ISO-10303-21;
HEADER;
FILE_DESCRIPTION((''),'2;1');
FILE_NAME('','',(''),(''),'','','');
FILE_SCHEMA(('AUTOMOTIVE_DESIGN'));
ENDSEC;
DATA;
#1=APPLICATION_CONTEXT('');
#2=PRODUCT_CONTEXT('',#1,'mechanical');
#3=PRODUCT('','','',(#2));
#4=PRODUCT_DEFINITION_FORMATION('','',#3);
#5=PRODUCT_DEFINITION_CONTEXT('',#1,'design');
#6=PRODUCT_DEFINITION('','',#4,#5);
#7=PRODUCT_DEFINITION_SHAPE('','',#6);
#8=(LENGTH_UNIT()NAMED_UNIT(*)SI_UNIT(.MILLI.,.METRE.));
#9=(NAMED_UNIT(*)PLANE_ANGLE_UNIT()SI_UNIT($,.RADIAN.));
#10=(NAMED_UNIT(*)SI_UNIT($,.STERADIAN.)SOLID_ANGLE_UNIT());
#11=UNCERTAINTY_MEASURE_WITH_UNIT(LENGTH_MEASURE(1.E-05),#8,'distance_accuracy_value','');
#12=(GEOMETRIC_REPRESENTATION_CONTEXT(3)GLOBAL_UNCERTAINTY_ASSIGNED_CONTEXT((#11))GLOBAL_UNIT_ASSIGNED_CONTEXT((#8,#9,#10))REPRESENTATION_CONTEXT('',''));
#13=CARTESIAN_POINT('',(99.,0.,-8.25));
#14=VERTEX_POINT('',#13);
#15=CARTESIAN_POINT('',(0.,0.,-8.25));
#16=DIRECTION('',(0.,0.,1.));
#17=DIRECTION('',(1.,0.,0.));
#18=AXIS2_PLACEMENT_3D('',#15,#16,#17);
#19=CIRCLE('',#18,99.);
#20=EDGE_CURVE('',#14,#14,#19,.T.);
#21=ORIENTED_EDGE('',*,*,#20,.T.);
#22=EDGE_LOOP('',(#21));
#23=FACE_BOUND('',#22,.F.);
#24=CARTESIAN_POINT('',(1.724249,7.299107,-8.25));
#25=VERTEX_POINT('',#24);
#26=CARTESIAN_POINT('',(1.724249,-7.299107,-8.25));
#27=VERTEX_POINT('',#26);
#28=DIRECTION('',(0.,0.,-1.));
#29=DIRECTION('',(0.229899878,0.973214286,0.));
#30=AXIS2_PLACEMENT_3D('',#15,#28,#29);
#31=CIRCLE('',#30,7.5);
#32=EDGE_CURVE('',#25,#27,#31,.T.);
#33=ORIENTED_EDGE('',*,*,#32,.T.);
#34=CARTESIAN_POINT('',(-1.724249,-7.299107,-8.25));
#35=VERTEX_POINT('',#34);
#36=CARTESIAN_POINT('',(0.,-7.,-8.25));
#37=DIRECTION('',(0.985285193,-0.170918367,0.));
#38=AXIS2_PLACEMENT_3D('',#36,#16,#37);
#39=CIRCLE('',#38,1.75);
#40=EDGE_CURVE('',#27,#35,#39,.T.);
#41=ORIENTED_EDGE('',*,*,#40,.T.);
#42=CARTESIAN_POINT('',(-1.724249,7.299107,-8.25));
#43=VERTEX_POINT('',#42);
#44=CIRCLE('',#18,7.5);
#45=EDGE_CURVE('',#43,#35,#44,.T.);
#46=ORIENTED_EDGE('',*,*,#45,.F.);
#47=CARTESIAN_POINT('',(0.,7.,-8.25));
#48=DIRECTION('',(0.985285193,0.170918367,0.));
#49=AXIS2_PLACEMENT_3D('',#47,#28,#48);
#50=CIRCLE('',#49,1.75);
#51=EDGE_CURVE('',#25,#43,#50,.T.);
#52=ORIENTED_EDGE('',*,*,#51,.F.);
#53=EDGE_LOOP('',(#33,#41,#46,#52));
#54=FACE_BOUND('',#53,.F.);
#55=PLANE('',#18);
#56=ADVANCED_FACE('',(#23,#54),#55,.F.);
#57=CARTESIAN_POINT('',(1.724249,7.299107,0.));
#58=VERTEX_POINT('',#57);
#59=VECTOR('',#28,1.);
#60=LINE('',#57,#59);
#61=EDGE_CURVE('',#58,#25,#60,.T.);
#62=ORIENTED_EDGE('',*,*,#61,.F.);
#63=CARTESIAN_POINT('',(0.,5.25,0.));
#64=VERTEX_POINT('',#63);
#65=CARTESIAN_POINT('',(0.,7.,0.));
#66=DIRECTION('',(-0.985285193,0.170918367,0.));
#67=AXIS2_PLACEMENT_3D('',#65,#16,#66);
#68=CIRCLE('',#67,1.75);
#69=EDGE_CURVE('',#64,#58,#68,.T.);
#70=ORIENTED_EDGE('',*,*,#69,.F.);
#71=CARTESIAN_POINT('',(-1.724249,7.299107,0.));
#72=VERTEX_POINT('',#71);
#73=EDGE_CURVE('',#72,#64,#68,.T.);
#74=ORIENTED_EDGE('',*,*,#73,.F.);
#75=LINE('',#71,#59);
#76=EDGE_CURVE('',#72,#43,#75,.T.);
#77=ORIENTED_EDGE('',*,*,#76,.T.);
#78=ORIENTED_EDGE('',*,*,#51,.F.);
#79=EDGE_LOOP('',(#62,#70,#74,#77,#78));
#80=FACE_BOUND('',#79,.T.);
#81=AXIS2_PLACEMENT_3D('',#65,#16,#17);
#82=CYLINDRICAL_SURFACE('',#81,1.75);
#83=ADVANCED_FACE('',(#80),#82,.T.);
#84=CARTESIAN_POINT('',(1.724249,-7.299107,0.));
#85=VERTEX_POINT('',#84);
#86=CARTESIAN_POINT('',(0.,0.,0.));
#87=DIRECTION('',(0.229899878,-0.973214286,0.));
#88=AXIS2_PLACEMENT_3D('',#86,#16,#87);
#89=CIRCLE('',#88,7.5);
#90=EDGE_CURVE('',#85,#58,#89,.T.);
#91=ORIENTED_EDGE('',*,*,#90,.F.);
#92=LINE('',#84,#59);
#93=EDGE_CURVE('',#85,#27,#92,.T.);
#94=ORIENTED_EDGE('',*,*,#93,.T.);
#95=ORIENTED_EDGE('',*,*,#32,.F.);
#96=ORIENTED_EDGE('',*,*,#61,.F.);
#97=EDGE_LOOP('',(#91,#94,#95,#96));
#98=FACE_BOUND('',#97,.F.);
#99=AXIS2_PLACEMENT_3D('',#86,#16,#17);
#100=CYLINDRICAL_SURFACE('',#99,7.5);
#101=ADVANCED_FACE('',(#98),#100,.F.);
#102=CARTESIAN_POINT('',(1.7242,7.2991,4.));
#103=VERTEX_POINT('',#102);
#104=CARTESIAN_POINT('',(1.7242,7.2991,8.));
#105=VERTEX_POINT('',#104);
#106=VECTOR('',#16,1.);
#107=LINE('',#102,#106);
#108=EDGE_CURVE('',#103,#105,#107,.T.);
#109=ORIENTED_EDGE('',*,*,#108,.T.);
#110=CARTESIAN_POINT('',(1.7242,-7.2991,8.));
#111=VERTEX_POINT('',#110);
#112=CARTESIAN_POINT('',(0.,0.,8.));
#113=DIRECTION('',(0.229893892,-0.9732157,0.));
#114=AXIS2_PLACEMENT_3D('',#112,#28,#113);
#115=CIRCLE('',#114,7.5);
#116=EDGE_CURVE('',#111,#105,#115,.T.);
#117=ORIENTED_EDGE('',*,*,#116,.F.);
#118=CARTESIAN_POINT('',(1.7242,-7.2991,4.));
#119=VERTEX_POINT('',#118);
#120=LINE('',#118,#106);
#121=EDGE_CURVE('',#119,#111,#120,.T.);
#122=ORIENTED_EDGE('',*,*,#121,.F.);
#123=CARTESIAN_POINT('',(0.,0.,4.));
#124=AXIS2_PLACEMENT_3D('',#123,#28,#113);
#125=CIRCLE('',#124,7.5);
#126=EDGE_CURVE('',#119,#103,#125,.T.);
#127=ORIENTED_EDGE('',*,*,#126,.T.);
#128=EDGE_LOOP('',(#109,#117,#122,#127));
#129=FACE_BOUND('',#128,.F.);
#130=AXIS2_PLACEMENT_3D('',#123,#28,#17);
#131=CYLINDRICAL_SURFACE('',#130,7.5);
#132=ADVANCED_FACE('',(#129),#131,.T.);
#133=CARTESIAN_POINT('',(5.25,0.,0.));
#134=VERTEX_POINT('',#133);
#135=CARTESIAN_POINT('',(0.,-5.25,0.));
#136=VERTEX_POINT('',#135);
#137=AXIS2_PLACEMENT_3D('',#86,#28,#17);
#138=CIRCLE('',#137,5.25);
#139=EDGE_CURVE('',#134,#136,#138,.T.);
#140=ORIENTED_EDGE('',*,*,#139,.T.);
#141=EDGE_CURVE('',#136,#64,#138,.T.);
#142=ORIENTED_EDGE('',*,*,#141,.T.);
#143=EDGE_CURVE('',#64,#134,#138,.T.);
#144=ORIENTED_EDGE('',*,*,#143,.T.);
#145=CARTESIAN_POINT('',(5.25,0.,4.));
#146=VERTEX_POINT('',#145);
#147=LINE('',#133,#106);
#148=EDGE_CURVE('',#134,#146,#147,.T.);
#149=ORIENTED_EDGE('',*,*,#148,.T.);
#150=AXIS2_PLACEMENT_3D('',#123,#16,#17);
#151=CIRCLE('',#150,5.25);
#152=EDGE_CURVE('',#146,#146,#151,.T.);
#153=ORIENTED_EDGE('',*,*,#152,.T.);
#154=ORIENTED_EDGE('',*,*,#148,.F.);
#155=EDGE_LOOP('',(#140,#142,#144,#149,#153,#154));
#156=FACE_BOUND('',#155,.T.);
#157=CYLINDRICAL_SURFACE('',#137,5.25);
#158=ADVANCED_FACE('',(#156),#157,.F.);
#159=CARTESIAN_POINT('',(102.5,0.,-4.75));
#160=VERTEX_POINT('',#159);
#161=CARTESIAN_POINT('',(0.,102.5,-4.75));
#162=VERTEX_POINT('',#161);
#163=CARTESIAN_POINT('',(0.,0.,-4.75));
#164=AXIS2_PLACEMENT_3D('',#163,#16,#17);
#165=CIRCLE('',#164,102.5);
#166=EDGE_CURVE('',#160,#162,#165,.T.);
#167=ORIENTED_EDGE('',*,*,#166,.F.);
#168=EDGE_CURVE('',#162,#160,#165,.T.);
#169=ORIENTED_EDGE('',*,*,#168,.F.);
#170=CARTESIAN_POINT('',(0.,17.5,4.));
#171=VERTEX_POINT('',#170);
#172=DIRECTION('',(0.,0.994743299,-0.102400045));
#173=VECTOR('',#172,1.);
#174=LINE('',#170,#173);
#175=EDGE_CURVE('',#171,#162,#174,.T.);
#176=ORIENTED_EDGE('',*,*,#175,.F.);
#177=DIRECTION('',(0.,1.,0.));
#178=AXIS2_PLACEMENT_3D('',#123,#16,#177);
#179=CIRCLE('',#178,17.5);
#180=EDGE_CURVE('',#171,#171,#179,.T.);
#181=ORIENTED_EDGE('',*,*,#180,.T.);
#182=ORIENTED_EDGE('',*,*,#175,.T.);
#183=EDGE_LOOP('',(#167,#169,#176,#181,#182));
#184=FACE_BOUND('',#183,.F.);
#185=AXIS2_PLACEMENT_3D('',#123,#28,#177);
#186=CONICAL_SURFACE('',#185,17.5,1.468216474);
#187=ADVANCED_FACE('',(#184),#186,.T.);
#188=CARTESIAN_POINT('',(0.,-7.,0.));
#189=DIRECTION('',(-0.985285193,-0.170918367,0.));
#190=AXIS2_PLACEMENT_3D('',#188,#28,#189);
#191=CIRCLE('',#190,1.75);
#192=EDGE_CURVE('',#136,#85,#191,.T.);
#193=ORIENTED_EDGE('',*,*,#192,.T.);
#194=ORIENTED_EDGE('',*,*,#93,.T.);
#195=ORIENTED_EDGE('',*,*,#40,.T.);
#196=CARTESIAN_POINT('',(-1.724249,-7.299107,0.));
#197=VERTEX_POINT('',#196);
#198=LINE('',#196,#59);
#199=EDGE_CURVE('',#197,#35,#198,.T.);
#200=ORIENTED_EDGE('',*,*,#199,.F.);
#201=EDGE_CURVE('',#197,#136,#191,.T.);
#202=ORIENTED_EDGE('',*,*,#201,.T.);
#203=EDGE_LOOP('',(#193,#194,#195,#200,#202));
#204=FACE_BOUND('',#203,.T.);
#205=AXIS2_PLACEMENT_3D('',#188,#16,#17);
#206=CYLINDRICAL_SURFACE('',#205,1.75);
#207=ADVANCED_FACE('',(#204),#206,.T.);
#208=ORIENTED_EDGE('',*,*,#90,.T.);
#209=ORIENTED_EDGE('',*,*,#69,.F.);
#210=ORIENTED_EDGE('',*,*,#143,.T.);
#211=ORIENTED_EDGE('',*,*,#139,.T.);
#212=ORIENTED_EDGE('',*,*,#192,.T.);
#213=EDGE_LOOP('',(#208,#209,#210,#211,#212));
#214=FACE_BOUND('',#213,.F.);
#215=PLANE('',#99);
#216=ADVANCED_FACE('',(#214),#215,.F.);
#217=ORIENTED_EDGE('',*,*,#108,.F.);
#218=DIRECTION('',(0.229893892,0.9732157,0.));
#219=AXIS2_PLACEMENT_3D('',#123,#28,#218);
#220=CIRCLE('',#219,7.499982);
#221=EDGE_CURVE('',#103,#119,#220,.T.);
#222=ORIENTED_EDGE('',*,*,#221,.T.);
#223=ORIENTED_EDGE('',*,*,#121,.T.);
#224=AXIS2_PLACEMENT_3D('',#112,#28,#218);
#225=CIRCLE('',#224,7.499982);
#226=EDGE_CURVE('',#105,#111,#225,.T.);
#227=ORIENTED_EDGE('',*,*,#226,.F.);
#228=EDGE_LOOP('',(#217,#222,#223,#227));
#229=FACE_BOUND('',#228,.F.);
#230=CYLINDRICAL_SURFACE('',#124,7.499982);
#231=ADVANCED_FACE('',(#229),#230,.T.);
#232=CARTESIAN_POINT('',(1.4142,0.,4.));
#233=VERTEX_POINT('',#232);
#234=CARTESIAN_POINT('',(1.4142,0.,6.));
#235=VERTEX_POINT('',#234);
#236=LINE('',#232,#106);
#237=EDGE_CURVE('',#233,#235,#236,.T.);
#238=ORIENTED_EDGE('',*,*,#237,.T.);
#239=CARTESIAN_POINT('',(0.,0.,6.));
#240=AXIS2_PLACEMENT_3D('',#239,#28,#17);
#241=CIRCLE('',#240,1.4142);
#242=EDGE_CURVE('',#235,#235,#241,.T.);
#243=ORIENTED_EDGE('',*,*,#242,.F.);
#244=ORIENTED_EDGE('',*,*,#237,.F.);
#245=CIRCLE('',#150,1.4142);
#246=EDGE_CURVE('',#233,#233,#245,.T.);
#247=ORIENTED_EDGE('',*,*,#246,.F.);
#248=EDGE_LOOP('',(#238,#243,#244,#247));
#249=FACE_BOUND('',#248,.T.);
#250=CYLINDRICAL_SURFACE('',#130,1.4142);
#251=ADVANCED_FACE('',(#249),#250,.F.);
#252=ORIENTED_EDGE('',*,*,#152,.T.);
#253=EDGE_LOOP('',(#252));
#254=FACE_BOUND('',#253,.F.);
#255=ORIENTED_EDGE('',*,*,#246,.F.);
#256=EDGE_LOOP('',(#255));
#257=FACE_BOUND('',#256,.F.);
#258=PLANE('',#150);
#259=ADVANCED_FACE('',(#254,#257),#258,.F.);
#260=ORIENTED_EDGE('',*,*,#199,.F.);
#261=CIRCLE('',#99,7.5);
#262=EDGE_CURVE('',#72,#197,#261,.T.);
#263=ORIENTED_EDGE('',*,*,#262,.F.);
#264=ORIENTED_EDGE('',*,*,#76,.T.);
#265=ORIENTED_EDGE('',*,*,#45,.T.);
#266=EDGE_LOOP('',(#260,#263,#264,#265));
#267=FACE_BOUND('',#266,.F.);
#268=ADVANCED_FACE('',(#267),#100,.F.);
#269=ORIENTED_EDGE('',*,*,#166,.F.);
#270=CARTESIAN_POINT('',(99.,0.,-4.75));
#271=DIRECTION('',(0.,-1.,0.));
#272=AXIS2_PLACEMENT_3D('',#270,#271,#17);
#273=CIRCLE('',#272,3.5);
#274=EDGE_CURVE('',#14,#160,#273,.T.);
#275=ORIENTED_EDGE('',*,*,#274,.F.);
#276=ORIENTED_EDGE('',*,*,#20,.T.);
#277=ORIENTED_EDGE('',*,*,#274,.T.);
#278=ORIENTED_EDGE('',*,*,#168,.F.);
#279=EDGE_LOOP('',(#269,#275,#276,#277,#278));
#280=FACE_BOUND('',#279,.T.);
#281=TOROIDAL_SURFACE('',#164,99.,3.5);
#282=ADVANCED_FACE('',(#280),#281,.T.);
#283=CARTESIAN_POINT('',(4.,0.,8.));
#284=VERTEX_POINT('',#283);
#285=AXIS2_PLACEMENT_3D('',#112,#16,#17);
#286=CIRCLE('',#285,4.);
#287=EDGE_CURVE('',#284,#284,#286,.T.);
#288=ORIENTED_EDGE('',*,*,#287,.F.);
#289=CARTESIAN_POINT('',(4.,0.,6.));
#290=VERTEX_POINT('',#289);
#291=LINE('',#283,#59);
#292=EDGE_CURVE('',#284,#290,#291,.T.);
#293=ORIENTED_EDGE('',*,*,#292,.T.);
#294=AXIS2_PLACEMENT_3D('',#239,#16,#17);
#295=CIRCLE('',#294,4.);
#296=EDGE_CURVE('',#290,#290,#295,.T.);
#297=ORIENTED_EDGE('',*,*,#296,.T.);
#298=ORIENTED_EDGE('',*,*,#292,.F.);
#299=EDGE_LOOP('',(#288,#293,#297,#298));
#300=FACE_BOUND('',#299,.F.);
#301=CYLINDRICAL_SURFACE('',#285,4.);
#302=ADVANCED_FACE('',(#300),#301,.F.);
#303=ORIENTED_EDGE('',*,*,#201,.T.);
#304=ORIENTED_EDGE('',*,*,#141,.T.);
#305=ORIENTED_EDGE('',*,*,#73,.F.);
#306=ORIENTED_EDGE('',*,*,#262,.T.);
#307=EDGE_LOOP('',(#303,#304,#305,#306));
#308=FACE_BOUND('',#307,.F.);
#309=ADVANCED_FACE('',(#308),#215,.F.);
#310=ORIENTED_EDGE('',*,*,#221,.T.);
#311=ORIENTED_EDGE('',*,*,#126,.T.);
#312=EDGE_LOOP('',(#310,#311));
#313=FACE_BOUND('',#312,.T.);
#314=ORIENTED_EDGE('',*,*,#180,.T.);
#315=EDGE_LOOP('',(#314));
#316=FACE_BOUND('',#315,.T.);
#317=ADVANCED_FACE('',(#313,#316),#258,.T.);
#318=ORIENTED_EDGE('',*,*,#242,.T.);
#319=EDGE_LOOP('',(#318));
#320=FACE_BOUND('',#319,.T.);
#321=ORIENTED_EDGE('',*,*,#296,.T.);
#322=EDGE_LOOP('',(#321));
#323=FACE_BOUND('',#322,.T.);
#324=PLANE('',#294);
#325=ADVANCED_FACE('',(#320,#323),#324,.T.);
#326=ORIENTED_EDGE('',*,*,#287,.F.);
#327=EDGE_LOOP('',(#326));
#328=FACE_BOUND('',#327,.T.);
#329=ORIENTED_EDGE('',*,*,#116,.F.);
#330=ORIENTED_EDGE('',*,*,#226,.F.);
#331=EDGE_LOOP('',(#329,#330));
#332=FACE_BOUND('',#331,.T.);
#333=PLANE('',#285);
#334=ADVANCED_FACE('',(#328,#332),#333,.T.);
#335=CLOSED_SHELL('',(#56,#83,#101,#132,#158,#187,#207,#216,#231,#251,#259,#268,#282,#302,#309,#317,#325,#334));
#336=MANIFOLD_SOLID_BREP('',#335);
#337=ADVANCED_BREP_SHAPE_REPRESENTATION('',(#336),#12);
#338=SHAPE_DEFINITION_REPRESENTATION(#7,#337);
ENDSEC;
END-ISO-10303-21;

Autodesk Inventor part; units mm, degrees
ref_plane "YZ Plane" through (0, 0, 0) normal (1, 0, 0) x (0, 1, 0)
ref_plane "XZ Plane" through (0, 0, 0) normal (0, 1, 0) x (-1, 0, 0)
ref_plane "XY Plane" through (0, 0, 0) normal (0, 0, 1) x (1, 0, 0)
sketch "Sketch1" plane through (0, 0, 0) normal (0, 0, 1) x (1, 0, 0)
  arc A0 (-1.9795, 6.7143) -> (1.9795, 6.7143) centre (0, 7) ccw
  arc A1 (-1.9795, 6.7143) -> (-1.9795, -6.7143) centre (0, 0) ccw
  arc A2 (1.9795, -6.7143) -> (-1.9795, -6.7143) centre (0, -7) ccw
  arc A3 (1.9795, -6.7143) -> (1.9795, 6.7143) centre (0, 0) ccw
  line L0 (3.6, 1.9621) -> (3.6, -1.9621)
  arc A4 (3.6, 1.9621) -> (3.6, -1.9621) centre (0, 0) ccw
  circle A5 centre (0, -7) radius 1.75
  circle A6 centre (0, 7) radius 1.75
  circle A7 centre (0, 0) radius 7.5
  circle A8 centre (0, 0) radius 102.5
  point P0 (0, 0)
  point P1 (-1.7242, 7.2991)
  point P2 (1.7242, 7.2991)
  point P3 (1.7242, -7.2991)
  point P4 (-1.7242, -7.2991)
  dimension "d0" = 3.5
  dimension "d1" = 3.5
  dimension "d2" = 15
  dimension "d3" = 205
extrude "Extrusion1" add sketch "Sketch1" against normal blind 8.25 contours A5 A7 | A7 A5 | A7 A6 | A6 A7 | A8
fillet "Fillet1" radius 3.5 1 edges at (-102.5, 0, -8.25)
sketch "Sketch2" plane through (0, 0, 0) normal (0, 0, 1) x (1, 0, 0)
  circle A0 centre (0, 0) radius 5.25
  arc A1 (1.7242, -7.2991) -> (-1.7242, -7.2991) centre (0, -7) ccw
  circle A2 centre (0, 0) radius 10
  circle A3 centre (0, 0) radius 102.5
  dimension "d7" = 20
extrude "Extrusion2" add sketch "Sketch2" along normal blind 4 contours A2 | A3
sketch "Sketch3" plane through (0, 0, 4) normal (0, 0, 1) x (1, 0, 0)
  circle A0 centre (0, 0) radius 5.25
  arc A1 (1.7242, -7.2991) -> (1.7242, 7.2991) centre (0, 0) ccw
  circle A2 centre (0, 0) radius 1.4142
  circle A3 centre (0, 0) radius 3.6056
  arc A4 (0, -5.25) -> (0, 5.25) centre (0, 0) ccw
  arc A5 (1.7242, -7.2991) -> (1.7242, 7.2991) centre (0, 0) ccw
  circle A6 centre (0, 0) radius 7.5
  point P0 (1.7242, 7.2991)
extrude "Extrusion3" add sketch "Sketch3" along normal blind 4 contours A0 | A6 A1 | A3
sketch "Sketch4" plane through (0, 0, 8) normal (0, 0, 1) x (1, 0, 0)
  circle A0 centre (0, 0) radius 4
extrude "Extrusion4" cut sketch "Sketch4" against normal blind 2
sketch "Sketch5" plane through (0, 0, 0) normal (1, 0, 0) x (0, 1, 0)
  line L0 (102.5, 4) -> (-102.5, 4)
  line L1 (-102.5, -4.75) -> (102.5, -4.75)
  line L2 (7.5, 8) -> (-7.5, 8)
  line L3 (-7.5, 4) -> (7.5, 4)
  line L4 (7.5, 4) -> (17.5, 4)
  line L5 (17.5, 4) -> (102.5, -4.75)
  line L6 (102.5, -4.75) -> (102.5, 16)
  line L7 (102.5, 16) -> (7.5, 16)
  line L8 (7.5, 16) -> (7.5, 4)
  line L9 (0, -13.1) -> (0, 20.85) projected
  point P0 (0, 0)
  dimension "d14" = 10
revolve "Revolution1" cut sketch "Sketch5" angle 360 about axis through (0, 0, -10) along (0, 0, 1) contours L6 L5 L0 | L0 L8 L7 L6
properties part number "center_disk"
